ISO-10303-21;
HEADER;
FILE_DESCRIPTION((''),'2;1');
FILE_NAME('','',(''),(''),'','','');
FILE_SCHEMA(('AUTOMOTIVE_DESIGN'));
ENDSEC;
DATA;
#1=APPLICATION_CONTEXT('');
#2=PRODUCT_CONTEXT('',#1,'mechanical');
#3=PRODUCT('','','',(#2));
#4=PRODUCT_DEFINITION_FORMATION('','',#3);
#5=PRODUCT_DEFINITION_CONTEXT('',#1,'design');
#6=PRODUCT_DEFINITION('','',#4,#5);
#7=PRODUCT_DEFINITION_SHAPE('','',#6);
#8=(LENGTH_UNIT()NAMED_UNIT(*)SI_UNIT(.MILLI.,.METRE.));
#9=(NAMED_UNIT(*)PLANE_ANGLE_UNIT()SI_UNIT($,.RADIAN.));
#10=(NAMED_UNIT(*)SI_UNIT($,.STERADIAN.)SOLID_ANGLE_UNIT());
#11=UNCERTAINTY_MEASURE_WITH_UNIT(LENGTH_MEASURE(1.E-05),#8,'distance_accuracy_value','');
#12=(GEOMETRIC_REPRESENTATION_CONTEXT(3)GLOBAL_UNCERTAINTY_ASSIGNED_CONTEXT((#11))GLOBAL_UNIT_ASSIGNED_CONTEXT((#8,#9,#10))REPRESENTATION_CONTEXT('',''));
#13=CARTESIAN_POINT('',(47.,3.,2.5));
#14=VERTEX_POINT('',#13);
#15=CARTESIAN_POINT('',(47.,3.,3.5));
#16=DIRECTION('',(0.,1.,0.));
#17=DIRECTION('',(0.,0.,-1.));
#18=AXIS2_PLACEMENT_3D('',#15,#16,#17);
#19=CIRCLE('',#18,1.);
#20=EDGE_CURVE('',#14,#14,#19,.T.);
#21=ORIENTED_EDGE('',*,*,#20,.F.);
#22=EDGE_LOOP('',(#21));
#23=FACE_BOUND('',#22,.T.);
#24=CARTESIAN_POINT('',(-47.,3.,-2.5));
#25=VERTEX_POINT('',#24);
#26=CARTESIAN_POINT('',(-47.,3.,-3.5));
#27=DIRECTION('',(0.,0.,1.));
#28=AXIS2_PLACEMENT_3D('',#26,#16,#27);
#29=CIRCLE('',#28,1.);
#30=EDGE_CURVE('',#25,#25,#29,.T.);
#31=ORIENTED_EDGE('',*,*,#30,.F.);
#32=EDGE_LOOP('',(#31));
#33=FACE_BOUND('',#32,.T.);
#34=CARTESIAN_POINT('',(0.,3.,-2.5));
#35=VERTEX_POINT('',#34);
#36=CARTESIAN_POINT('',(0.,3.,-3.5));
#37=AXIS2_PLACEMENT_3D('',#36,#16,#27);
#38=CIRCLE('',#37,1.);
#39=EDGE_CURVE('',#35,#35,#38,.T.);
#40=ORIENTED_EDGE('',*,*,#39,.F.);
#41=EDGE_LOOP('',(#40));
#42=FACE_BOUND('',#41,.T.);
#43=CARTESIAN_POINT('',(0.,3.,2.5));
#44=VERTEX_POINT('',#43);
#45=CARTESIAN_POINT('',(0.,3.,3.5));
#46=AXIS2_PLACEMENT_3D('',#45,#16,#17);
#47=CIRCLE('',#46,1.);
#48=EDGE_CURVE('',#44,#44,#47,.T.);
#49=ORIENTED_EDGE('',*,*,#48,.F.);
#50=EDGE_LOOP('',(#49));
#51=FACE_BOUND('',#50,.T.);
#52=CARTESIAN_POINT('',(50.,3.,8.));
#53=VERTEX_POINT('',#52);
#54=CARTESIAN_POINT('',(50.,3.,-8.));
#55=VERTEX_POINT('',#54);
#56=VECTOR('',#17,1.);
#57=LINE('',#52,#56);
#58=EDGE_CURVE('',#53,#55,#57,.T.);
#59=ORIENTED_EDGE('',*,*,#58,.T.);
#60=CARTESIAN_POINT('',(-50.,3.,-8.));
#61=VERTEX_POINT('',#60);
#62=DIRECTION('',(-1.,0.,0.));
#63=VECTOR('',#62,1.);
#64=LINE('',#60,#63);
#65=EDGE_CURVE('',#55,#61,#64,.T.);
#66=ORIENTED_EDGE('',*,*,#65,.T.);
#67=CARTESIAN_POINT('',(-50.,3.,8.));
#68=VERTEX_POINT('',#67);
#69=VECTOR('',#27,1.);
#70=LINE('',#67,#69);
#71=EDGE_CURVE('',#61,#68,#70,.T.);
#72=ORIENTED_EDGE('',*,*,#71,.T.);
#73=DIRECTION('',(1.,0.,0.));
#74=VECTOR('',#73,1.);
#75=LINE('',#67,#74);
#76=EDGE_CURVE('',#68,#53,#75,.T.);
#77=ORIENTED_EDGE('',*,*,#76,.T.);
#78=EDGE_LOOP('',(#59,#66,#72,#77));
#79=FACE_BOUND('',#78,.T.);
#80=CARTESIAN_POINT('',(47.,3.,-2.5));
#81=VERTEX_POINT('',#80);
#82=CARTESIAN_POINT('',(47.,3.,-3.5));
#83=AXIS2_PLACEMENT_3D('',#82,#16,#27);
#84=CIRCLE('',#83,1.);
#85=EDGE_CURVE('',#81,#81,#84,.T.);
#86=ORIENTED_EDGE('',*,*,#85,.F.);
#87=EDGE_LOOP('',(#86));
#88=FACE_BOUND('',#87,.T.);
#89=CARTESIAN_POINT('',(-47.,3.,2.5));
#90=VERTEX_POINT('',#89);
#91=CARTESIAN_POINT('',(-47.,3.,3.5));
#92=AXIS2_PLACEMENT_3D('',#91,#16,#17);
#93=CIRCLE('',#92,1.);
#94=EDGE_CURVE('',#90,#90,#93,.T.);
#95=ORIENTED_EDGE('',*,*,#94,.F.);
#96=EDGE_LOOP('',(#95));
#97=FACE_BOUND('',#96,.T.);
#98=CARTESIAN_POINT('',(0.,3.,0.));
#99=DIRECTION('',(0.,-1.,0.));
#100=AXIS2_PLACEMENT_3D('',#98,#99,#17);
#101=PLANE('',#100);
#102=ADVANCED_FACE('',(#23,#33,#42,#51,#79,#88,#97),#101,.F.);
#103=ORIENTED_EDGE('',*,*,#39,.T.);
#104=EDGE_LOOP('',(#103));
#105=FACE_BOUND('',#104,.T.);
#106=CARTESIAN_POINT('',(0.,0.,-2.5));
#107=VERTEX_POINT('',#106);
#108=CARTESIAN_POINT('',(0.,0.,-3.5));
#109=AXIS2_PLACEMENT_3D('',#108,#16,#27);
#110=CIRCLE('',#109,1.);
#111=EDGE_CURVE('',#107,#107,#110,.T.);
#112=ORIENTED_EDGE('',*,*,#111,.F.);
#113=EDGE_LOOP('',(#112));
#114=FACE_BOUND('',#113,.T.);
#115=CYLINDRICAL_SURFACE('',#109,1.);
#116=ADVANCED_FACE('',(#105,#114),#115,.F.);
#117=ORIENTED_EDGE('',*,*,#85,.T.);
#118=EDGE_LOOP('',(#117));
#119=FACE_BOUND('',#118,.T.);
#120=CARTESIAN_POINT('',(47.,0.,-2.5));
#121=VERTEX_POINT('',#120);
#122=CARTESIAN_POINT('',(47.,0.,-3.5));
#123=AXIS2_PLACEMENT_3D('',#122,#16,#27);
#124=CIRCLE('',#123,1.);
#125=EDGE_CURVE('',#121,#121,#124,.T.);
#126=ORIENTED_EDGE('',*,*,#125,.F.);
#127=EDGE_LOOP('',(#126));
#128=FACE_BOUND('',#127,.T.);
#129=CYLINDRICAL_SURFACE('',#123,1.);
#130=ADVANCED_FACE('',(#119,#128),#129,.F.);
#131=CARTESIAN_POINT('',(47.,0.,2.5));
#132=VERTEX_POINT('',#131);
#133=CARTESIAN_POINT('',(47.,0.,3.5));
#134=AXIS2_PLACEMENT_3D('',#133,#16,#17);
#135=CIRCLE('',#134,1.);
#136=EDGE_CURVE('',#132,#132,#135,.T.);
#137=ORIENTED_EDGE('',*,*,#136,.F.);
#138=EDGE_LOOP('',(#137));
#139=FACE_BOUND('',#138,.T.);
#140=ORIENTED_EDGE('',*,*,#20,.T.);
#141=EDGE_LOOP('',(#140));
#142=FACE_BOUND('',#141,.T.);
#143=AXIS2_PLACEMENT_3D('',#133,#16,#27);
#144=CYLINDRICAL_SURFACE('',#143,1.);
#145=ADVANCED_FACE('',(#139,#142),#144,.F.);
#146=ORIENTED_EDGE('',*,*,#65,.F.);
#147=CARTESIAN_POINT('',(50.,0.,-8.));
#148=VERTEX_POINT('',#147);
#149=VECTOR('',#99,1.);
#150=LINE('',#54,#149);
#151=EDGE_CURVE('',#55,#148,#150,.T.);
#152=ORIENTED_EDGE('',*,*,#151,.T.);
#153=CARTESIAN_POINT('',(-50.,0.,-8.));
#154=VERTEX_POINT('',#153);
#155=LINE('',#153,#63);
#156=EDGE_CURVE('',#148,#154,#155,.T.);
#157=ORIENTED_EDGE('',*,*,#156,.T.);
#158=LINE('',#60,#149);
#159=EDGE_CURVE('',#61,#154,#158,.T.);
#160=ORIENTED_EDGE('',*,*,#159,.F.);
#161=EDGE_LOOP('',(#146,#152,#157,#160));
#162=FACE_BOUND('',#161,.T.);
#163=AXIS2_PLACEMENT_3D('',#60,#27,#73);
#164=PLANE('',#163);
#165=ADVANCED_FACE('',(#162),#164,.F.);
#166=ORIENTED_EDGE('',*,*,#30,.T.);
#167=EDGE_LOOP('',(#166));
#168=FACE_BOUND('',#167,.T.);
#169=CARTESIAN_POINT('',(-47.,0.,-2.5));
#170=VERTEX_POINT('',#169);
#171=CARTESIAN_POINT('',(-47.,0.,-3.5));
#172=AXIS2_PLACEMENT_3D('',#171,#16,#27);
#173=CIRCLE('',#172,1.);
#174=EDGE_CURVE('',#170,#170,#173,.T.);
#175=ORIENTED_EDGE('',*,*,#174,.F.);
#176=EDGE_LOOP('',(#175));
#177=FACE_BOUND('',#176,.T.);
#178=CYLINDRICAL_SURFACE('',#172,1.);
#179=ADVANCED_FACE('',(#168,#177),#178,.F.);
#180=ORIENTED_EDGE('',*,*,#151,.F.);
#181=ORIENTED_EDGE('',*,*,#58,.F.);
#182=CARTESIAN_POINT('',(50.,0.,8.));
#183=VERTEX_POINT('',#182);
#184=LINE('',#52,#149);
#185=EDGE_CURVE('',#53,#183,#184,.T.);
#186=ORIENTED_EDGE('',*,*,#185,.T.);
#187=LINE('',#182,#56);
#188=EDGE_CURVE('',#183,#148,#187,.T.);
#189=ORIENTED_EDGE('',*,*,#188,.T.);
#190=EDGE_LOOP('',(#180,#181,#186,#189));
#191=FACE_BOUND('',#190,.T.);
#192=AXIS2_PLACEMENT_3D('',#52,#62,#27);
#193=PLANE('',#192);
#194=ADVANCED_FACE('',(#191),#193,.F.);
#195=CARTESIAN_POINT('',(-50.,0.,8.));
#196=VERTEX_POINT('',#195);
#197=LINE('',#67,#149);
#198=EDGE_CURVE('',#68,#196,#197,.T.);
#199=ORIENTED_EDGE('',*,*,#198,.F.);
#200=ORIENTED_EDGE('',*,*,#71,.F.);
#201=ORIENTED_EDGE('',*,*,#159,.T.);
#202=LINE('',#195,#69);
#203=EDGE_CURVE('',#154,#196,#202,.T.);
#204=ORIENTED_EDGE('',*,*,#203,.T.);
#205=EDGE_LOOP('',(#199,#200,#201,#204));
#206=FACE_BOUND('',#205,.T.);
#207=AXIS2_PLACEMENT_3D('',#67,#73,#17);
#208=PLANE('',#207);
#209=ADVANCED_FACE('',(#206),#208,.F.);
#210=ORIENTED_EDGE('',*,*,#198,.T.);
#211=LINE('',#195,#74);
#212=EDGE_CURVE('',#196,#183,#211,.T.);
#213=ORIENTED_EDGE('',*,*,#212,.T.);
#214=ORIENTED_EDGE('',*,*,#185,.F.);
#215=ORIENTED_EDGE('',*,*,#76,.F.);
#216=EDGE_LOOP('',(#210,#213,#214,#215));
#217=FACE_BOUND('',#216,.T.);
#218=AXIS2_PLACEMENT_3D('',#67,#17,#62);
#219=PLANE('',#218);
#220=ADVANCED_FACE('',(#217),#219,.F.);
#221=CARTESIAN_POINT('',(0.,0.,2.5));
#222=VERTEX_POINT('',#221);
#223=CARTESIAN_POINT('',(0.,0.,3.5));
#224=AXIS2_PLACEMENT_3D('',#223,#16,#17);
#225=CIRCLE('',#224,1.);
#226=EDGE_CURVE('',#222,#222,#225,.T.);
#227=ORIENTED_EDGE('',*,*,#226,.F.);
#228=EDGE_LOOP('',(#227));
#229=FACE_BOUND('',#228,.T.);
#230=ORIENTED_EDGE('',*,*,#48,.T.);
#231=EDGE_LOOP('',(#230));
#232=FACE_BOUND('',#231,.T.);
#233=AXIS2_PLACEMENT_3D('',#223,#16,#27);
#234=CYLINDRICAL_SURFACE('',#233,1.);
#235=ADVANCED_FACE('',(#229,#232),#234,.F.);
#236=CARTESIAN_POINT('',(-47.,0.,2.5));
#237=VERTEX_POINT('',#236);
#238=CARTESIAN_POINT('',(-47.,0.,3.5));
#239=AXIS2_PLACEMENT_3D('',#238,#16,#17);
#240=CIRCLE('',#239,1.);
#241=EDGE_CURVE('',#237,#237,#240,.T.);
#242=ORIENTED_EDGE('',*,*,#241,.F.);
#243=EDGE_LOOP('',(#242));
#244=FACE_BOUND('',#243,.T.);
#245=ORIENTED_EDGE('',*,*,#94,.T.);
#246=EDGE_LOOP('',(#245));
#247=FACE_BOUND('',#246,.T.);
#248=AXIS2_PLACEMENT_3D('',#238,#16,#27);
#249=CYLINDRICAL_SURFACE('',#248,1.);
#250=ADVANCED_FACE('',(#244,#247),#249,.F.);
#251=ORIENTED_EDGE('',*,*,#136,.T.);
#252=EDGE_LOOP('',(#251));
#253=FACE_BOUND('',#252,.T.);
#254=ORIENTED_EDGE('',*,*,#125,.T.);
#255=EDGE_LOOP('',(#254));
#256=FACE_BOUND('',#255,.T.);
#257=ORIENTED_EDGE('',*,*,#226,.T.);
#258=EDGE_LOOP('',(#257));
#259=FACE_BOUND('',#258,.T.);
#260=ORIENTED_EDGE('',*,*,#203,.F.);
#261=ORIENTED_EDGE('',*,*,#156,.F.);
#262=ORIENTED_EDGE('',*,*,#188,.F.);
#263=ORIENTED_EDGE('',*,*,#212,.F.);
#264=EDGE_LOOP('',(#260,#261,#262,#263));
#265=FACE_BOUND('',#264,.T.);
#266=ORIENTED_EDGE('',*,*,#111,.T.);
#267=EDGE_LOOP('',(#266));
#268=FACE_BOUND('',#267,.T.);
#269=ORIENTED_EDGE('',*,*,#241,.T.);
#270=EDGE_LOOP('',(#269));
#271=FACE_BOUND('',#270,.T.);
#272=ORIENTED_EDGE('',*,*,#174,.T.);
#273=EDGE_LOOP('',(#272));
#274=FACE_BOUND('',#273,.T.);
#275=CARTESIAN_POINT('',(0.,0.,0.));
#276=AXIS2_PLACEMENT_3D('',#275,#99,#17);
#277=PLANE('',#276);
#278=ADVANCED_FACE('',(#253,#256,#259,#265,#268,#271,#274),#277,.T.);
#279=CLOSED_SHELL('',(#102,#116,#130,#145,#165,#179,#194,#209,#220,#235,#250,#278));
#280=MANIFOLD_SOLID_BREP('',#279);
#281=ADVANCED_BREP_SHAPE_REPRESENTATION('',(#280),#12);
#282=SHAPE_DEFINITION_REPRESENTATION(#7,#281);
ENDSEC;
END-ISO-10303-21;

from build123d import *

# Parameters (mm, degrees)
SKETCH_1_W          = 100
SKETCH_1_H          = 16
EXTRUDE_1_DEPTH     = 3
SKETCH_2_R          = 1
CUT_EXTRUDE_1_DEPTH = 3


with BuildPart() as part:
    # 스케치1 → 보스-돌출1 (new body)
    with BuildSketch(Plane(origin=(0, 0, 0), x_dir=(1, 0, 0), z_dir=(0, 1, 0))):
        Rectangle(SKETCH_1_W, SKETCH_1_H)
    extrude(amount=EXTRUDE_1_DEPTH)

    # 스케치2 → 컷-돌출1 (cut)
    with BuildSketch(Plane(origin=(0, 3, 0), x_dir=(1, 0, 0), z_dir=(0, 1, 0))):
        with Locations(Location((47, 3.5, 0), (0, 0, 270))):
            Circle(SKETCH_2_R)
        with Locations(Location((0, 3.5, 0), (0, 0, 270))):
            Circle(SKETCH_2_R)
        with Locations(Location((-47, 3.5, 0), (0, 0, 270))):
            Circle(SKETCH_2_R)
        with Locations(Location((47, -3.5, 0), (0, 0, 90))):
            Circle(SKETCH_2_R)
        with Locations(Location((0, -3.5, 0), (0, 0, 90))):
            Circle(SKETCH_2_R)
        with Locations(Location((-47, -3.5, 0), (0, 0, 90))):
            Circle(SKETCH_2_R)
    extrude(amount=-CUT_EXTRUDE_1_DEPTH, mode=Mode.SUBTRACT)


solid = part.part
